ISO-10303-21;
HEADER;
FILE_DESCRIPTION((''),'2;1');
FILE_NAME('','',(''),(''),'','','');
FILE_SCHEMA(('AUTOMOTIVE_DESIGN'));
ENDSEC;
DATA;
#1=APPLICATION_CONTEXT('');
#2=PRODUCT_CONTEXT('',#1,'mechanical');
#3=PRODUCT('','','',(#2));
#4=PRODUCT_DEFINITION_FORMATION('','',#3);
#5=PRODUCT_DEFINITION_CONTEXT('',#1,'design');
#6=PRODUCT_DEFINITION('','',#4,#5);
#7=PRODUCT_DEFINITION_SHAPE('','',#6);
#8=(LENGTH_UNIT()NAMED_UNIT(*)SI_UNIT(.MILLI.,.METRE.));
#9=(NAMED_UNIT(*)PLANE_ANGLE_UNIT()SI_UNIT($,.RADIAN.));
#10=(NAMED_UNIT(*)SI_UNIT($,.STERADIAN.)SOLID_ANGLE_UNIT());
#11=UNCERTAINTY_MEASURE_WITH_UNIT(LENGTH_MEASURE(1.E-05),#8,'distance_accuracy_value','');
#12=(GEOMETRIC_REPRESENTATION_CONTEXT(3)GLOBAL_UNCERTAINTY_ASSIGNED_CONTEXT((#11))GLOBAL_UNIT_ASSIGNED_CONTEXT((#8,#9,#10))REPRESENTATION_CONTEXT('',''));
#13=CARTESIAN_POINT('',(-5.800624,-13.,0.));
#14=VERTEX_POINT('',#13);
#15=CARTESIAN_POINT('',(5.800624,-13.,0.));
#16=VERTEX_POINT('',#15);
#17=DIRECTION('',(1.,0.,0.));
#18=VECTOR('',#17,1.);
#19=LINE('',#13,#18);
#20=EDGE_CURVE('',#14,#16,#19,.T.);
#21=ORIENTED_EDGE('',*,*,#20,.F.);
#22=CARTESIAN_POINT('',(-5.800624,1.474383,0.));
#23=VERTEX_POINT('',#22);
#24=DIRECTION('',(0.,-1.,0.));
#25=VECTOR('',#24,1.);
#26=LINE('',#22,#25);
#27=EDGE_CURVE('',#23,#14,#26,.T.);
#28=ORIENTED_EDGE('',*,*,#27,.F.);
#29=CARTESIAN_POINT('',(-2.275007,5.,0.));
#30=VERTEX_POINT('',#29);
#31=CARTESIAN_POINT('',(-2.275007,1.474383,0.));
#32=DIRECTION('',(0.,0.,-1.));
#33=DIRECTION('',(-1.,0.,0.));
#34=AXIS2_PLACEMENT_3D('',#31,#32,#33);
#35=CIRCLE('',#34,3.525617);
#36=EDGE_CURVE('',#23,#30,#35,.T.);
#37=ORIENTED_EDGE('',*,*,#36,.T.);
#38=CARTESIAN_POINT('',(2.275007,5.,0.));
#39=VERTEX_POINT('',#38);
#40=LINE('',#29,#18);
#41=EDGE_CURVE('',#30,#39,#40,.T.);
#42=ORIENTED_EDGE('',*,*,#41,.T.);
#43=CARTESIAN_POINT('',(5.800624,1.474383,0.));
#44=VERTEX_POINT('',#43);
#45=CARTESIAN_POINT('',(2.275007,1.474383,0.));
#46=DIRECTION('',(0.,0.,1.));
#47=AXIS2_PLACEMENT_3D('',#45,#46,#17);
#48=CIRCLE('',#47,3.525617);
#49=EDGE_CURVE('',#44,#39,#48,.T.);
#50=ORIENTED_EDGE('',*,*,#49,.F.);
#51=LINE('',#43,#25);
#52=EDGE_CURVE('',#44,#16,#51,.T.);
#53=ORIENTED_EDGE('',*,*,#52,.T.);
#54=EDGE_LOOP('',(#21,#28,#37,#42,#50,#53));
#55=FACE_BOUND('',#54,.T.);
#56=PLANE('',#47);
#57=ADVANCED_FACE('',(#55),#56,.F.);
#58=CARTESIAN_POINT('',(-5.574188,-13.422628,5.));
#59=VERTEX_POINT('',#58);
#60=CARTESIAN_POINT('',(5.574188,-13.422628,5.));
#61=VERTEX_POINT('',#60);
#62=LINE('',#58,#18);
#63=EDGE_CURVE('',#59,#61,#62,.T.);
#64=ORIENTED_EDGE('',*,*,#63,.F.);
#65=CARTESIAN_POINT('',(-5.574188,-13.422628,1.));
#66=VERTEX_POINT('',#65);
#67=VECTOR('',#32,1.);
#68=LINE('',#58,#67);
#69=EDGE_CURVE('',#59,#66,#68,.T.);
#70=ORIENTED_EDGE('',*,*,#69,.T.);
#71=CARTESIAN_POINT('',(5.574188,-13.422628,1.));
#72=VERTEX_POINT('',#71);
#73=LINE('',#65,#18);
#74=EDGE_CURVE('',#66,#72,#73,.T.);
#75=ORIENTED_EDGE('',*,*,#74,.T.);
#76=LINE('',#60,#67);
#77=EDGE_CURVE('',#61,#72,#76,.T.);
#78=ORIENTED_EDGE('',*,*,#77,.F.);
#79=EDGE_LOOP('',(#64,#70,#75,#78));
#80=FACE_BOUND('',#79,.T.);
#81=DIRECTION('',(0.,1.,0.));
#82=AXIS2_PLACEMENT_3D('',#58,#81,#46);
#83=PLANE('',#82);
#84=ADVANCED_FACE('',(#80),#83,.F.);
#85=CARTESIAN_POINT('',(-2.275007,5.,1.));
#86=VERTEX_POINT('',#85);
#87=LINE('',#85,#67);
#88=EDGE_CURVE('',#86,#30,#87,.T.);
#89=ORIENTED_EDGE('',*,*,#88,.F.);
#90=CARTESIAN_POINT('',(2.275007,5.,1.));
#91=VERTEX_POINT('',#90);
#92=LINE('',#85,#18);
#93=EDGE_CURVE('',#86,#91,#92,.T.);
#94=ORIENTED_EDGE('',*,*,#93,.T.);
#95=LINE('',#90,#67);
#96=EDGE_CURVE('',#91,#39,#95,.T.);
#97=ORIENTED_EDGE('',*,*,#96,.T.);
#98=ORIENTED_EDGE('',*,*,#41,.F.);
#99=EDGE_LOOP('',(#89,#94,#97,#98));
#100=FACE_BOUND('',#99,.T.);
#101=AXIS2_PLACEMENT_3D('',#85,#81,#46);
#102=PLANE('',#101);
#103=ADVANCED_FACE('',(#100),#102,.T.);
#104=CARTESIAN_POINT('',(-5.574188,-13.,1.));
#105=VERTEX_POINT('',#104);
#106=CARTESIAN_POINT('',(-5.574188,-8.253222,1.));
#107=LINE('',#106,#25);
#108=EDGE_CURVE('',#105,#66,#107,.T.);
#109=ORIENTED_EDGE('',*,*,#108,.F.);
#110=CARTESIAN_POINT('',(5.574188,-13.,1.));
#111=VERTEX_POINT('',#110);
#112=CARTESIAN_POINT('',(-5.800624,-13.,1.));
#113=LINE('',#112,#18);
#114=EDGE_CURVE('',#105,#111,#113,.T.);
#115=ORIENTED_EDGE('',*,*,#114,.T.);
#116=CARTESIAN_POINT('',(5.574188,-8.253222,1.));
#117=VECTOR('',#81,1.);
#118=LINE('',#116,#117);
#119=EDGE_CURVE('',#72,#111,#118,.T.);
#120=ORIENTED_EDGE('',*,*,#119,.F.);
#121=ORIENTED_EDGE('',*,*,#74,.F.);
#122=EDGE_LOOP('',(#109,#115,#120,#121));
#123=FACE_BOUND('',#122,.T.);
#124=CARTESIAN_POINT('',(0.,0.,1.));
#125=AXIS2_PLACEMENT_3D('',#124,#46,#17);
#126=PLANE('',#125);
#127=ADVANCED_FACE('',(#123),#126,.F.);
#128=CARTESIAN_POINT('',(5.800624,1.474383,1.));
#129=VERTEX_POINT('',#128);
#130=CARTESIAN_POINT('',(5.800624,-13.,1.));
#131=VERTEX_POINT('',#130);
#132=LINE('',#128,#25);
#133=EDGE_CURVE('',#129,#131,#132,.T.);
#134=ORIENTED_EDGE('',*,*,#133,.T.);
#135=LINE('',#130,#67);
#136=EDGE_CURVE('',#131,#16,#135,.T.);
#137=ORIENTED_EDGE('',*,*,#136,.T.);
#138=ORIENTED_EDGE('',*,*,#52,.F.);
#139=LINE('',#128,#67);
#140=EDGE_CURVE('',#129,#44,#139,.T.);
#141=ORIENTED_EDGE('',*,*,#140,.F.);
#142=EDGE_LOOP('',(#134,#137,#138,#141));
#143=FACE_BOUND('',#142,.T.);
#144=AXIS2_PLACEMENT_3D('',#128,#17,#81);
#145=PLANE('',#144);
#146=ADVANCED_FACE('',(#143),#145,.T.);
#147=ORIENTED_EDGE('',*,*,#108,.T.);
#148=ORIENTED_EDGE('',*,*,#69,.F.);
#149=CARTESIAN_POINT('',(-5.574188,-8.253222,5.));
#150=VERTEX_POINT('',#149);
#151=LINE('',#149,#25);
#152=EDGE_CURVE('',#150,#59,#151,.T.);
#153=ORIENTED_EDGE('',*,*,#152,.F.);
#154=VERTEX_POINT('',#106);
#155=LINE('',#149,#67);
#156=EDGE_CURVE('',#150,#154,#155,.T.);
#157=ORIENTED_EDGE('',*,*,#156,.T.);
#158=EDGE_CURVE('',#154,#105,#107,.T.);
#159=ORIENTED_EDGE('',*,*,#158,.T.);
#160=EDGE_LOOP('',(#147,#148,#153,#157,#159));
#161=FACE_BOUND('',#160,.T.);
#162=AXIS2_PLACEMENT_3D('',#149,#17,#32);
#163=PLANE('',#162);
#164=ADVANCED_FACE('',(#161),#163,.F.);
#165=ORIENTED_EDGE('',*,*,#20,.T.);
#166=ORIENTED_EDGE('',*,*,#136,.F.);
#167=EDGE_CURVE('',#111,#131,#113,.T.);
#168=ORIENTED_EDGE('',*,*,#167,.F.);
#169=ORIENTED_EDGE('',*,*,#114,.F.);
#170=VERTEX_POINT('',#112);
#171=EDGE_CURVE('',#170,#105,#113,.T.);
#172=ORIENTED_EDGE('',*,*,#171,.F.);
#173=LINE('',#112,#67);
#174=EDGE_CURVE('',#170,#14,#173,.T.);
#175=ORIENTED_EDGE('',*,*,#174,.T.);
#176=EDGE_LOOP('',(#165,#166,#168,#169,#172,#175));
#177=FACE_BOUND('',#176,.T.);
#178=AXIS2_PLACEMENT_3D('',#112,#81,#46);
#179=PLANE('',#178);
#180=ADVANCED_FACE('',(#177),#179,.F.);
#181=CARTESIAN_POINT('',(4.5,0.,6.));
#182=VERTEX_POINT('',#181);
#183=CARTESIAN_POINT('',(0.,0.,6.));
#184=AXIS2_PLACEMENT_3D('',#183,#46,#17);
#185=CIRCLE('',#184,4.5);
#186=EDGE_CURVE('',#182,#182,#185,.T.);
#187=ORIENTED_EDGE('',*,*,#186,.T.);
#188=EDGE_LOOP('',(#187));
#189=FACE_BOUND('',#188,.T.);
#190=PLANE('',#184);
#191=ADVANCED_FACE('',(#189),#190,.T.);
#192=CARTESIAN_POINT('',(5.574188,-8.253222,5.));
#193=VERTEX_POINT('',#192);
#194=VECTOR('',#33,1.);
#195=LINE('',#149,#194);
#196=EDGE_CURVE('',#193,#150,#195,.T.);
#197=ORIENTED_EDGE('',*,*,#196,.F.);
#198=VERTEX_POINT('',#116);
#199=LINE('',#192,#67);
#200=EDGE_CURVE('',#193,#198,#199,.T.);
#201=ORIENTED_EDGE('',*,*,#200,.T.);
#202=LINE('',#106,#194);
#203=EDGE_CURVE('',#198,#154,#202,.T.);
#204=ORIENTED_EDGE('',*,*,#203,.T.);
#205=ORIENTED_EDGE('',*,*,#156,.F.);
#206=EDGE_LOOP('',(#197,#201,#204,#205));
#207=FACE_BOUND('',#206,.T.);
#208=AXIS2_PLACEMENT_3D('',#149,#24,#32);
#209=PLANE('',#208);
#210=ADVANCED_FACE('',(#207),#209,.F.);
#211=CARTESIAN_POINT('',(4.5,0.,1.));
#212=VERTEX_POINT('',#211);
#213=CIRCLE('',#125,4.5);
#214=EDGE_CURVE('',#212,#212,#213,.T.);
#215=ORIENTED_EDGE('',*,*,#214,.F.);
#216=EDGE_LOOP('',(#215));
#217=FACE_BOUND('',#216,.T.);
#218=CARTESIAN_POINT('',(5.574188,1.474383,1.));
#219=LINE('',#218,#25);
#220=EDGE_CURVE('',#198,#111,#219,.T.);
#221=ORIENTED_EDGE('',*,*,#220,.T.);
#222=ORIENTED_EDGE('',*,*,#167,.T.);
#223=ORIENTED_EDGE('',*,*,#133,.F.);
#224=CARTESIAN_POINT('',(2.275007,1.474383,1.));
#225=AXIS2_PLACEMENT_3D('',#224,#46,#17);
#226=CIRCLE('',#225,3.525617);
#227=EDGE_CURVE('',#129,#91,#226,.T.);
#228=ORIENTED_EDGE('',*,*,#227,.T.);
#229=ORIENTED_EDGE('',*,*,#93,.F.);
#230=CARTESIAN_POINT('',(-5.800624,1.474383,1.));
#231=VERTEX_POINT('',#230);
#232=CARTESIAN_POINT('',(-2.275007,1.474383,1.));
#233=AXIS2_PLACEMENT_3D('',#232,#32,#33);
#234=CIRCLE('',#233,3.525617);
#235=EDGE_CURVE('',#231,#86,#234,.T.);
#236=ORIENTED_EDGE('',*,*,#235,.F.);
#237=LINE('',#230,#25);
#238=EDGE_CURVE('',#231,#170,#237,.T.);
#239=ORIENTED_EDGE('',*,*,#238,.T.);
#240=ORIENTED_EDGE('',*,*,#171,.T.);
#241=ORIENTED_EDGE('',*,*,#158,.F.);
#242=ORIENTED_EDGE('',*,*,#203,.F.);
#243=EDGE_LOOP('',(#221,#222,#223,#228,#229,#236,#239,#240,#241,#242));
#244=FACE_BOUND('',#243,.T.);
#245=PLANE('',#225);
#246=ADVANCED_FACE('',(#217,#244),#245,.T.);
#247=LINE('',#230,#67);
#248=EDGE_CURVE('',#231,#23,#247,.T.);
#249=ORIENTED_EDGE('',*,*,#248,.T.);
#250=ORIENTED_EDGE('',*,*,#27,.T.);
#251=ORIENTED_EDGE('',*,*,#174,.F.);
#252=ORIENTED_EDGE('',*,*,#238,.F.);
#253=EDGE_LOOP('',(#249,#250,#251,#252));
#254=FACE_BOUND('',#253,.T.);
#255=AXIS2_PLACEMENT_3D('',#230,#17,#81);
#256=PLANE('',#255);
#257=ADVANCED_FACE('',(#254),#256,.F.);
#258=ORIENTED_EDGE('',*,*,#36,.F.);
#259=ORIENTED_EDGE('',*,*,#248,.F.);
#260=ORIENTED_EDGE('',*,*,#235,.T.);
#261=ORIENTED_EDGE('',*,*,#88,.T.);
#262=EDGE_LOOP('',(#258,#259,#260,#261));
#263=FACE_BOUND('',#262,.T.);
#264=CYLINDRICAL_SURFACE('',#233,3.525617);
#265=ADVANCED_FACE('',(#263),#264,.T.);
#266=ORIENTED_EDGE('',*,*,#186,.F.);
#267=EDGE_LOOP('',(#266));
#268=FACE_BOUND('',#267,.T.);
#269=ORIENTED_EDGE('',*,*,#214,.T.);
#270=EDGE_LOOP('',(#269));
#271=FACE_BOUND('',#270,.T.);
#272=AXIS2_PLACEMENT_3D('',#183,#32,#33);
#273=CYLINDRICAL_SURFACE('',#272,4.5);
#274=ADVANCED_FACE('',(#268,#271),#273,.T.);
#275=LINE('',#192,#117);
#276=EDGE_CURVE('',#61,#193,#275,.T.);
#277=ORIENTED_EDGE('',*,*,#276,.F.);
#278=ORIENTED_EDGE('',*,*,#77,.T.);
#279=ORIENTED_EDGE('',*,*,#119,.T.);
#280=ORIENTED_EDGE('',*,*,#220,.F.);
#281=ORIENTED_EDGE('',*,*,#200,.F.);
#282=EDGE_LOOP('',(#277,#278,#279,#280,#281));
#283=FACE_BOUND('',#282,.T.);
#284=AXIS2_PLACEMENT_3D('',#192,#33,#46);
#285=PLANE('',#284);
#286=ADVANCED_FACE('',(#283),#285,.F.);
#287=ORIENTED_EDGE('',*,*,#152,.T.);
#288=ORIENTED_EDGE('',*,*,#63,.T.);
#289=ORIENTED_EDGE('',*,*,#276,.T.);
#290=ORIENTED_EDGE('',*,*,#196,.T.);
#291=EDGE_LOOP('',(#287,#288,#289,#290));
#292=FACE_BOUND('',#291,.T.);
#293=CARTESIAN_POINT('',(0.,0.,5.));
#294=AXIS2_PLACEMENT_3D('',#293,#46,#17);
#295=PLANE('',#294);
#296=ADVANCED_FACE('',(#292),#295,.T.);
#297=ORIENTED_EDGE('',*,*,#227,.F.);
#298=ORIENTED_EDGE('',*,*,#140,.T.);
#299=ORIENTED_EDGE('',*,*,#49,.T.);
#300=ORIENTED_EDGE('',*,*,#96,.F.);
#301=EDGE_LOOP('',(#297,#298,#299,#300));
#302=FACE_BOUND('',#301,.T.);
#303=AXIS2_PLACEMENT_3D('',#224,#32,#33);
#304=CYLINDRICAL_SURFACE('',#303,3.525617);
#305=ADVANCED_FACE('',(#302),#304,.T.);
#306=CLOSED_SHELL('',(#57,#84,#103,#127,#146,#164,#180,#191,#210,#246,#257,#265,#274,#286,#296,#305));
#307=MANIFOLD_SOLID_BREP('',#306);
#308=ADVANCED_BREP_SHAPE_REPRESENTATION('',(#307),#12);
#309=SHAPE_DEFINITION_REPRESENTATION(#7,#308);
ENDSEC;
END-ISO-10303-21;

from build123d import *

# Parameters (mm, degrees)
EXTRUDE_1_DEPTH = 1
SKETCH_2_R      = 4.5
EXTRUDE_2_DEPTH = 5
SKETCH_3_W      = 11.148375858
SKETCH_3_H      = 5.169406936
EXTRUDE_3_DEPTH = 4


with BuildPart() as part:
    # 草图1 → 凸台-拉伸1 (new body)
    with BuildSketch(Plane.XY):
        with BuildLine():
            Line((-2.275007411, 5), (2.275007411, 5))
            ThreePointArc((2.275007411, 5), (4.76799478, 3.967370821), (5.800623959, 1.474383452))
            Line((5.800623959, 1.474383452), (5.800623959, -13))
            Line((5.800623959, -13), (-5.800623959, -13))
            Line((-5.800623959, -13), (-5.800623959, 1.474383452))
            ThreePointArc((-5.800623959, 1.474383452), (-4.76799478, 3.967370821), (-2.275007411, 5))
        make_face()
    extrude(amount=EXTRUDE_1_DEPTH)

    # 草图2 → 凸台-拉伸2 (add)
    with BuildSketch(Plane.XY.offset(1)):
        Circle(SKETCH_2_R)
    extrude(amount=EXTRUDE_2_DEPTH)

    # 草图3 → 凸台-拉伸3 (add)
    with BuildSketch(Plane.XY.offset(1)):
        with Locations((0, -10.837924987)):
            Rectangle(SKETCH_3_W, SKETCH_3_H)
    extrude(amount=EXTRUDE_3_DEPTH)


solid = part.part
